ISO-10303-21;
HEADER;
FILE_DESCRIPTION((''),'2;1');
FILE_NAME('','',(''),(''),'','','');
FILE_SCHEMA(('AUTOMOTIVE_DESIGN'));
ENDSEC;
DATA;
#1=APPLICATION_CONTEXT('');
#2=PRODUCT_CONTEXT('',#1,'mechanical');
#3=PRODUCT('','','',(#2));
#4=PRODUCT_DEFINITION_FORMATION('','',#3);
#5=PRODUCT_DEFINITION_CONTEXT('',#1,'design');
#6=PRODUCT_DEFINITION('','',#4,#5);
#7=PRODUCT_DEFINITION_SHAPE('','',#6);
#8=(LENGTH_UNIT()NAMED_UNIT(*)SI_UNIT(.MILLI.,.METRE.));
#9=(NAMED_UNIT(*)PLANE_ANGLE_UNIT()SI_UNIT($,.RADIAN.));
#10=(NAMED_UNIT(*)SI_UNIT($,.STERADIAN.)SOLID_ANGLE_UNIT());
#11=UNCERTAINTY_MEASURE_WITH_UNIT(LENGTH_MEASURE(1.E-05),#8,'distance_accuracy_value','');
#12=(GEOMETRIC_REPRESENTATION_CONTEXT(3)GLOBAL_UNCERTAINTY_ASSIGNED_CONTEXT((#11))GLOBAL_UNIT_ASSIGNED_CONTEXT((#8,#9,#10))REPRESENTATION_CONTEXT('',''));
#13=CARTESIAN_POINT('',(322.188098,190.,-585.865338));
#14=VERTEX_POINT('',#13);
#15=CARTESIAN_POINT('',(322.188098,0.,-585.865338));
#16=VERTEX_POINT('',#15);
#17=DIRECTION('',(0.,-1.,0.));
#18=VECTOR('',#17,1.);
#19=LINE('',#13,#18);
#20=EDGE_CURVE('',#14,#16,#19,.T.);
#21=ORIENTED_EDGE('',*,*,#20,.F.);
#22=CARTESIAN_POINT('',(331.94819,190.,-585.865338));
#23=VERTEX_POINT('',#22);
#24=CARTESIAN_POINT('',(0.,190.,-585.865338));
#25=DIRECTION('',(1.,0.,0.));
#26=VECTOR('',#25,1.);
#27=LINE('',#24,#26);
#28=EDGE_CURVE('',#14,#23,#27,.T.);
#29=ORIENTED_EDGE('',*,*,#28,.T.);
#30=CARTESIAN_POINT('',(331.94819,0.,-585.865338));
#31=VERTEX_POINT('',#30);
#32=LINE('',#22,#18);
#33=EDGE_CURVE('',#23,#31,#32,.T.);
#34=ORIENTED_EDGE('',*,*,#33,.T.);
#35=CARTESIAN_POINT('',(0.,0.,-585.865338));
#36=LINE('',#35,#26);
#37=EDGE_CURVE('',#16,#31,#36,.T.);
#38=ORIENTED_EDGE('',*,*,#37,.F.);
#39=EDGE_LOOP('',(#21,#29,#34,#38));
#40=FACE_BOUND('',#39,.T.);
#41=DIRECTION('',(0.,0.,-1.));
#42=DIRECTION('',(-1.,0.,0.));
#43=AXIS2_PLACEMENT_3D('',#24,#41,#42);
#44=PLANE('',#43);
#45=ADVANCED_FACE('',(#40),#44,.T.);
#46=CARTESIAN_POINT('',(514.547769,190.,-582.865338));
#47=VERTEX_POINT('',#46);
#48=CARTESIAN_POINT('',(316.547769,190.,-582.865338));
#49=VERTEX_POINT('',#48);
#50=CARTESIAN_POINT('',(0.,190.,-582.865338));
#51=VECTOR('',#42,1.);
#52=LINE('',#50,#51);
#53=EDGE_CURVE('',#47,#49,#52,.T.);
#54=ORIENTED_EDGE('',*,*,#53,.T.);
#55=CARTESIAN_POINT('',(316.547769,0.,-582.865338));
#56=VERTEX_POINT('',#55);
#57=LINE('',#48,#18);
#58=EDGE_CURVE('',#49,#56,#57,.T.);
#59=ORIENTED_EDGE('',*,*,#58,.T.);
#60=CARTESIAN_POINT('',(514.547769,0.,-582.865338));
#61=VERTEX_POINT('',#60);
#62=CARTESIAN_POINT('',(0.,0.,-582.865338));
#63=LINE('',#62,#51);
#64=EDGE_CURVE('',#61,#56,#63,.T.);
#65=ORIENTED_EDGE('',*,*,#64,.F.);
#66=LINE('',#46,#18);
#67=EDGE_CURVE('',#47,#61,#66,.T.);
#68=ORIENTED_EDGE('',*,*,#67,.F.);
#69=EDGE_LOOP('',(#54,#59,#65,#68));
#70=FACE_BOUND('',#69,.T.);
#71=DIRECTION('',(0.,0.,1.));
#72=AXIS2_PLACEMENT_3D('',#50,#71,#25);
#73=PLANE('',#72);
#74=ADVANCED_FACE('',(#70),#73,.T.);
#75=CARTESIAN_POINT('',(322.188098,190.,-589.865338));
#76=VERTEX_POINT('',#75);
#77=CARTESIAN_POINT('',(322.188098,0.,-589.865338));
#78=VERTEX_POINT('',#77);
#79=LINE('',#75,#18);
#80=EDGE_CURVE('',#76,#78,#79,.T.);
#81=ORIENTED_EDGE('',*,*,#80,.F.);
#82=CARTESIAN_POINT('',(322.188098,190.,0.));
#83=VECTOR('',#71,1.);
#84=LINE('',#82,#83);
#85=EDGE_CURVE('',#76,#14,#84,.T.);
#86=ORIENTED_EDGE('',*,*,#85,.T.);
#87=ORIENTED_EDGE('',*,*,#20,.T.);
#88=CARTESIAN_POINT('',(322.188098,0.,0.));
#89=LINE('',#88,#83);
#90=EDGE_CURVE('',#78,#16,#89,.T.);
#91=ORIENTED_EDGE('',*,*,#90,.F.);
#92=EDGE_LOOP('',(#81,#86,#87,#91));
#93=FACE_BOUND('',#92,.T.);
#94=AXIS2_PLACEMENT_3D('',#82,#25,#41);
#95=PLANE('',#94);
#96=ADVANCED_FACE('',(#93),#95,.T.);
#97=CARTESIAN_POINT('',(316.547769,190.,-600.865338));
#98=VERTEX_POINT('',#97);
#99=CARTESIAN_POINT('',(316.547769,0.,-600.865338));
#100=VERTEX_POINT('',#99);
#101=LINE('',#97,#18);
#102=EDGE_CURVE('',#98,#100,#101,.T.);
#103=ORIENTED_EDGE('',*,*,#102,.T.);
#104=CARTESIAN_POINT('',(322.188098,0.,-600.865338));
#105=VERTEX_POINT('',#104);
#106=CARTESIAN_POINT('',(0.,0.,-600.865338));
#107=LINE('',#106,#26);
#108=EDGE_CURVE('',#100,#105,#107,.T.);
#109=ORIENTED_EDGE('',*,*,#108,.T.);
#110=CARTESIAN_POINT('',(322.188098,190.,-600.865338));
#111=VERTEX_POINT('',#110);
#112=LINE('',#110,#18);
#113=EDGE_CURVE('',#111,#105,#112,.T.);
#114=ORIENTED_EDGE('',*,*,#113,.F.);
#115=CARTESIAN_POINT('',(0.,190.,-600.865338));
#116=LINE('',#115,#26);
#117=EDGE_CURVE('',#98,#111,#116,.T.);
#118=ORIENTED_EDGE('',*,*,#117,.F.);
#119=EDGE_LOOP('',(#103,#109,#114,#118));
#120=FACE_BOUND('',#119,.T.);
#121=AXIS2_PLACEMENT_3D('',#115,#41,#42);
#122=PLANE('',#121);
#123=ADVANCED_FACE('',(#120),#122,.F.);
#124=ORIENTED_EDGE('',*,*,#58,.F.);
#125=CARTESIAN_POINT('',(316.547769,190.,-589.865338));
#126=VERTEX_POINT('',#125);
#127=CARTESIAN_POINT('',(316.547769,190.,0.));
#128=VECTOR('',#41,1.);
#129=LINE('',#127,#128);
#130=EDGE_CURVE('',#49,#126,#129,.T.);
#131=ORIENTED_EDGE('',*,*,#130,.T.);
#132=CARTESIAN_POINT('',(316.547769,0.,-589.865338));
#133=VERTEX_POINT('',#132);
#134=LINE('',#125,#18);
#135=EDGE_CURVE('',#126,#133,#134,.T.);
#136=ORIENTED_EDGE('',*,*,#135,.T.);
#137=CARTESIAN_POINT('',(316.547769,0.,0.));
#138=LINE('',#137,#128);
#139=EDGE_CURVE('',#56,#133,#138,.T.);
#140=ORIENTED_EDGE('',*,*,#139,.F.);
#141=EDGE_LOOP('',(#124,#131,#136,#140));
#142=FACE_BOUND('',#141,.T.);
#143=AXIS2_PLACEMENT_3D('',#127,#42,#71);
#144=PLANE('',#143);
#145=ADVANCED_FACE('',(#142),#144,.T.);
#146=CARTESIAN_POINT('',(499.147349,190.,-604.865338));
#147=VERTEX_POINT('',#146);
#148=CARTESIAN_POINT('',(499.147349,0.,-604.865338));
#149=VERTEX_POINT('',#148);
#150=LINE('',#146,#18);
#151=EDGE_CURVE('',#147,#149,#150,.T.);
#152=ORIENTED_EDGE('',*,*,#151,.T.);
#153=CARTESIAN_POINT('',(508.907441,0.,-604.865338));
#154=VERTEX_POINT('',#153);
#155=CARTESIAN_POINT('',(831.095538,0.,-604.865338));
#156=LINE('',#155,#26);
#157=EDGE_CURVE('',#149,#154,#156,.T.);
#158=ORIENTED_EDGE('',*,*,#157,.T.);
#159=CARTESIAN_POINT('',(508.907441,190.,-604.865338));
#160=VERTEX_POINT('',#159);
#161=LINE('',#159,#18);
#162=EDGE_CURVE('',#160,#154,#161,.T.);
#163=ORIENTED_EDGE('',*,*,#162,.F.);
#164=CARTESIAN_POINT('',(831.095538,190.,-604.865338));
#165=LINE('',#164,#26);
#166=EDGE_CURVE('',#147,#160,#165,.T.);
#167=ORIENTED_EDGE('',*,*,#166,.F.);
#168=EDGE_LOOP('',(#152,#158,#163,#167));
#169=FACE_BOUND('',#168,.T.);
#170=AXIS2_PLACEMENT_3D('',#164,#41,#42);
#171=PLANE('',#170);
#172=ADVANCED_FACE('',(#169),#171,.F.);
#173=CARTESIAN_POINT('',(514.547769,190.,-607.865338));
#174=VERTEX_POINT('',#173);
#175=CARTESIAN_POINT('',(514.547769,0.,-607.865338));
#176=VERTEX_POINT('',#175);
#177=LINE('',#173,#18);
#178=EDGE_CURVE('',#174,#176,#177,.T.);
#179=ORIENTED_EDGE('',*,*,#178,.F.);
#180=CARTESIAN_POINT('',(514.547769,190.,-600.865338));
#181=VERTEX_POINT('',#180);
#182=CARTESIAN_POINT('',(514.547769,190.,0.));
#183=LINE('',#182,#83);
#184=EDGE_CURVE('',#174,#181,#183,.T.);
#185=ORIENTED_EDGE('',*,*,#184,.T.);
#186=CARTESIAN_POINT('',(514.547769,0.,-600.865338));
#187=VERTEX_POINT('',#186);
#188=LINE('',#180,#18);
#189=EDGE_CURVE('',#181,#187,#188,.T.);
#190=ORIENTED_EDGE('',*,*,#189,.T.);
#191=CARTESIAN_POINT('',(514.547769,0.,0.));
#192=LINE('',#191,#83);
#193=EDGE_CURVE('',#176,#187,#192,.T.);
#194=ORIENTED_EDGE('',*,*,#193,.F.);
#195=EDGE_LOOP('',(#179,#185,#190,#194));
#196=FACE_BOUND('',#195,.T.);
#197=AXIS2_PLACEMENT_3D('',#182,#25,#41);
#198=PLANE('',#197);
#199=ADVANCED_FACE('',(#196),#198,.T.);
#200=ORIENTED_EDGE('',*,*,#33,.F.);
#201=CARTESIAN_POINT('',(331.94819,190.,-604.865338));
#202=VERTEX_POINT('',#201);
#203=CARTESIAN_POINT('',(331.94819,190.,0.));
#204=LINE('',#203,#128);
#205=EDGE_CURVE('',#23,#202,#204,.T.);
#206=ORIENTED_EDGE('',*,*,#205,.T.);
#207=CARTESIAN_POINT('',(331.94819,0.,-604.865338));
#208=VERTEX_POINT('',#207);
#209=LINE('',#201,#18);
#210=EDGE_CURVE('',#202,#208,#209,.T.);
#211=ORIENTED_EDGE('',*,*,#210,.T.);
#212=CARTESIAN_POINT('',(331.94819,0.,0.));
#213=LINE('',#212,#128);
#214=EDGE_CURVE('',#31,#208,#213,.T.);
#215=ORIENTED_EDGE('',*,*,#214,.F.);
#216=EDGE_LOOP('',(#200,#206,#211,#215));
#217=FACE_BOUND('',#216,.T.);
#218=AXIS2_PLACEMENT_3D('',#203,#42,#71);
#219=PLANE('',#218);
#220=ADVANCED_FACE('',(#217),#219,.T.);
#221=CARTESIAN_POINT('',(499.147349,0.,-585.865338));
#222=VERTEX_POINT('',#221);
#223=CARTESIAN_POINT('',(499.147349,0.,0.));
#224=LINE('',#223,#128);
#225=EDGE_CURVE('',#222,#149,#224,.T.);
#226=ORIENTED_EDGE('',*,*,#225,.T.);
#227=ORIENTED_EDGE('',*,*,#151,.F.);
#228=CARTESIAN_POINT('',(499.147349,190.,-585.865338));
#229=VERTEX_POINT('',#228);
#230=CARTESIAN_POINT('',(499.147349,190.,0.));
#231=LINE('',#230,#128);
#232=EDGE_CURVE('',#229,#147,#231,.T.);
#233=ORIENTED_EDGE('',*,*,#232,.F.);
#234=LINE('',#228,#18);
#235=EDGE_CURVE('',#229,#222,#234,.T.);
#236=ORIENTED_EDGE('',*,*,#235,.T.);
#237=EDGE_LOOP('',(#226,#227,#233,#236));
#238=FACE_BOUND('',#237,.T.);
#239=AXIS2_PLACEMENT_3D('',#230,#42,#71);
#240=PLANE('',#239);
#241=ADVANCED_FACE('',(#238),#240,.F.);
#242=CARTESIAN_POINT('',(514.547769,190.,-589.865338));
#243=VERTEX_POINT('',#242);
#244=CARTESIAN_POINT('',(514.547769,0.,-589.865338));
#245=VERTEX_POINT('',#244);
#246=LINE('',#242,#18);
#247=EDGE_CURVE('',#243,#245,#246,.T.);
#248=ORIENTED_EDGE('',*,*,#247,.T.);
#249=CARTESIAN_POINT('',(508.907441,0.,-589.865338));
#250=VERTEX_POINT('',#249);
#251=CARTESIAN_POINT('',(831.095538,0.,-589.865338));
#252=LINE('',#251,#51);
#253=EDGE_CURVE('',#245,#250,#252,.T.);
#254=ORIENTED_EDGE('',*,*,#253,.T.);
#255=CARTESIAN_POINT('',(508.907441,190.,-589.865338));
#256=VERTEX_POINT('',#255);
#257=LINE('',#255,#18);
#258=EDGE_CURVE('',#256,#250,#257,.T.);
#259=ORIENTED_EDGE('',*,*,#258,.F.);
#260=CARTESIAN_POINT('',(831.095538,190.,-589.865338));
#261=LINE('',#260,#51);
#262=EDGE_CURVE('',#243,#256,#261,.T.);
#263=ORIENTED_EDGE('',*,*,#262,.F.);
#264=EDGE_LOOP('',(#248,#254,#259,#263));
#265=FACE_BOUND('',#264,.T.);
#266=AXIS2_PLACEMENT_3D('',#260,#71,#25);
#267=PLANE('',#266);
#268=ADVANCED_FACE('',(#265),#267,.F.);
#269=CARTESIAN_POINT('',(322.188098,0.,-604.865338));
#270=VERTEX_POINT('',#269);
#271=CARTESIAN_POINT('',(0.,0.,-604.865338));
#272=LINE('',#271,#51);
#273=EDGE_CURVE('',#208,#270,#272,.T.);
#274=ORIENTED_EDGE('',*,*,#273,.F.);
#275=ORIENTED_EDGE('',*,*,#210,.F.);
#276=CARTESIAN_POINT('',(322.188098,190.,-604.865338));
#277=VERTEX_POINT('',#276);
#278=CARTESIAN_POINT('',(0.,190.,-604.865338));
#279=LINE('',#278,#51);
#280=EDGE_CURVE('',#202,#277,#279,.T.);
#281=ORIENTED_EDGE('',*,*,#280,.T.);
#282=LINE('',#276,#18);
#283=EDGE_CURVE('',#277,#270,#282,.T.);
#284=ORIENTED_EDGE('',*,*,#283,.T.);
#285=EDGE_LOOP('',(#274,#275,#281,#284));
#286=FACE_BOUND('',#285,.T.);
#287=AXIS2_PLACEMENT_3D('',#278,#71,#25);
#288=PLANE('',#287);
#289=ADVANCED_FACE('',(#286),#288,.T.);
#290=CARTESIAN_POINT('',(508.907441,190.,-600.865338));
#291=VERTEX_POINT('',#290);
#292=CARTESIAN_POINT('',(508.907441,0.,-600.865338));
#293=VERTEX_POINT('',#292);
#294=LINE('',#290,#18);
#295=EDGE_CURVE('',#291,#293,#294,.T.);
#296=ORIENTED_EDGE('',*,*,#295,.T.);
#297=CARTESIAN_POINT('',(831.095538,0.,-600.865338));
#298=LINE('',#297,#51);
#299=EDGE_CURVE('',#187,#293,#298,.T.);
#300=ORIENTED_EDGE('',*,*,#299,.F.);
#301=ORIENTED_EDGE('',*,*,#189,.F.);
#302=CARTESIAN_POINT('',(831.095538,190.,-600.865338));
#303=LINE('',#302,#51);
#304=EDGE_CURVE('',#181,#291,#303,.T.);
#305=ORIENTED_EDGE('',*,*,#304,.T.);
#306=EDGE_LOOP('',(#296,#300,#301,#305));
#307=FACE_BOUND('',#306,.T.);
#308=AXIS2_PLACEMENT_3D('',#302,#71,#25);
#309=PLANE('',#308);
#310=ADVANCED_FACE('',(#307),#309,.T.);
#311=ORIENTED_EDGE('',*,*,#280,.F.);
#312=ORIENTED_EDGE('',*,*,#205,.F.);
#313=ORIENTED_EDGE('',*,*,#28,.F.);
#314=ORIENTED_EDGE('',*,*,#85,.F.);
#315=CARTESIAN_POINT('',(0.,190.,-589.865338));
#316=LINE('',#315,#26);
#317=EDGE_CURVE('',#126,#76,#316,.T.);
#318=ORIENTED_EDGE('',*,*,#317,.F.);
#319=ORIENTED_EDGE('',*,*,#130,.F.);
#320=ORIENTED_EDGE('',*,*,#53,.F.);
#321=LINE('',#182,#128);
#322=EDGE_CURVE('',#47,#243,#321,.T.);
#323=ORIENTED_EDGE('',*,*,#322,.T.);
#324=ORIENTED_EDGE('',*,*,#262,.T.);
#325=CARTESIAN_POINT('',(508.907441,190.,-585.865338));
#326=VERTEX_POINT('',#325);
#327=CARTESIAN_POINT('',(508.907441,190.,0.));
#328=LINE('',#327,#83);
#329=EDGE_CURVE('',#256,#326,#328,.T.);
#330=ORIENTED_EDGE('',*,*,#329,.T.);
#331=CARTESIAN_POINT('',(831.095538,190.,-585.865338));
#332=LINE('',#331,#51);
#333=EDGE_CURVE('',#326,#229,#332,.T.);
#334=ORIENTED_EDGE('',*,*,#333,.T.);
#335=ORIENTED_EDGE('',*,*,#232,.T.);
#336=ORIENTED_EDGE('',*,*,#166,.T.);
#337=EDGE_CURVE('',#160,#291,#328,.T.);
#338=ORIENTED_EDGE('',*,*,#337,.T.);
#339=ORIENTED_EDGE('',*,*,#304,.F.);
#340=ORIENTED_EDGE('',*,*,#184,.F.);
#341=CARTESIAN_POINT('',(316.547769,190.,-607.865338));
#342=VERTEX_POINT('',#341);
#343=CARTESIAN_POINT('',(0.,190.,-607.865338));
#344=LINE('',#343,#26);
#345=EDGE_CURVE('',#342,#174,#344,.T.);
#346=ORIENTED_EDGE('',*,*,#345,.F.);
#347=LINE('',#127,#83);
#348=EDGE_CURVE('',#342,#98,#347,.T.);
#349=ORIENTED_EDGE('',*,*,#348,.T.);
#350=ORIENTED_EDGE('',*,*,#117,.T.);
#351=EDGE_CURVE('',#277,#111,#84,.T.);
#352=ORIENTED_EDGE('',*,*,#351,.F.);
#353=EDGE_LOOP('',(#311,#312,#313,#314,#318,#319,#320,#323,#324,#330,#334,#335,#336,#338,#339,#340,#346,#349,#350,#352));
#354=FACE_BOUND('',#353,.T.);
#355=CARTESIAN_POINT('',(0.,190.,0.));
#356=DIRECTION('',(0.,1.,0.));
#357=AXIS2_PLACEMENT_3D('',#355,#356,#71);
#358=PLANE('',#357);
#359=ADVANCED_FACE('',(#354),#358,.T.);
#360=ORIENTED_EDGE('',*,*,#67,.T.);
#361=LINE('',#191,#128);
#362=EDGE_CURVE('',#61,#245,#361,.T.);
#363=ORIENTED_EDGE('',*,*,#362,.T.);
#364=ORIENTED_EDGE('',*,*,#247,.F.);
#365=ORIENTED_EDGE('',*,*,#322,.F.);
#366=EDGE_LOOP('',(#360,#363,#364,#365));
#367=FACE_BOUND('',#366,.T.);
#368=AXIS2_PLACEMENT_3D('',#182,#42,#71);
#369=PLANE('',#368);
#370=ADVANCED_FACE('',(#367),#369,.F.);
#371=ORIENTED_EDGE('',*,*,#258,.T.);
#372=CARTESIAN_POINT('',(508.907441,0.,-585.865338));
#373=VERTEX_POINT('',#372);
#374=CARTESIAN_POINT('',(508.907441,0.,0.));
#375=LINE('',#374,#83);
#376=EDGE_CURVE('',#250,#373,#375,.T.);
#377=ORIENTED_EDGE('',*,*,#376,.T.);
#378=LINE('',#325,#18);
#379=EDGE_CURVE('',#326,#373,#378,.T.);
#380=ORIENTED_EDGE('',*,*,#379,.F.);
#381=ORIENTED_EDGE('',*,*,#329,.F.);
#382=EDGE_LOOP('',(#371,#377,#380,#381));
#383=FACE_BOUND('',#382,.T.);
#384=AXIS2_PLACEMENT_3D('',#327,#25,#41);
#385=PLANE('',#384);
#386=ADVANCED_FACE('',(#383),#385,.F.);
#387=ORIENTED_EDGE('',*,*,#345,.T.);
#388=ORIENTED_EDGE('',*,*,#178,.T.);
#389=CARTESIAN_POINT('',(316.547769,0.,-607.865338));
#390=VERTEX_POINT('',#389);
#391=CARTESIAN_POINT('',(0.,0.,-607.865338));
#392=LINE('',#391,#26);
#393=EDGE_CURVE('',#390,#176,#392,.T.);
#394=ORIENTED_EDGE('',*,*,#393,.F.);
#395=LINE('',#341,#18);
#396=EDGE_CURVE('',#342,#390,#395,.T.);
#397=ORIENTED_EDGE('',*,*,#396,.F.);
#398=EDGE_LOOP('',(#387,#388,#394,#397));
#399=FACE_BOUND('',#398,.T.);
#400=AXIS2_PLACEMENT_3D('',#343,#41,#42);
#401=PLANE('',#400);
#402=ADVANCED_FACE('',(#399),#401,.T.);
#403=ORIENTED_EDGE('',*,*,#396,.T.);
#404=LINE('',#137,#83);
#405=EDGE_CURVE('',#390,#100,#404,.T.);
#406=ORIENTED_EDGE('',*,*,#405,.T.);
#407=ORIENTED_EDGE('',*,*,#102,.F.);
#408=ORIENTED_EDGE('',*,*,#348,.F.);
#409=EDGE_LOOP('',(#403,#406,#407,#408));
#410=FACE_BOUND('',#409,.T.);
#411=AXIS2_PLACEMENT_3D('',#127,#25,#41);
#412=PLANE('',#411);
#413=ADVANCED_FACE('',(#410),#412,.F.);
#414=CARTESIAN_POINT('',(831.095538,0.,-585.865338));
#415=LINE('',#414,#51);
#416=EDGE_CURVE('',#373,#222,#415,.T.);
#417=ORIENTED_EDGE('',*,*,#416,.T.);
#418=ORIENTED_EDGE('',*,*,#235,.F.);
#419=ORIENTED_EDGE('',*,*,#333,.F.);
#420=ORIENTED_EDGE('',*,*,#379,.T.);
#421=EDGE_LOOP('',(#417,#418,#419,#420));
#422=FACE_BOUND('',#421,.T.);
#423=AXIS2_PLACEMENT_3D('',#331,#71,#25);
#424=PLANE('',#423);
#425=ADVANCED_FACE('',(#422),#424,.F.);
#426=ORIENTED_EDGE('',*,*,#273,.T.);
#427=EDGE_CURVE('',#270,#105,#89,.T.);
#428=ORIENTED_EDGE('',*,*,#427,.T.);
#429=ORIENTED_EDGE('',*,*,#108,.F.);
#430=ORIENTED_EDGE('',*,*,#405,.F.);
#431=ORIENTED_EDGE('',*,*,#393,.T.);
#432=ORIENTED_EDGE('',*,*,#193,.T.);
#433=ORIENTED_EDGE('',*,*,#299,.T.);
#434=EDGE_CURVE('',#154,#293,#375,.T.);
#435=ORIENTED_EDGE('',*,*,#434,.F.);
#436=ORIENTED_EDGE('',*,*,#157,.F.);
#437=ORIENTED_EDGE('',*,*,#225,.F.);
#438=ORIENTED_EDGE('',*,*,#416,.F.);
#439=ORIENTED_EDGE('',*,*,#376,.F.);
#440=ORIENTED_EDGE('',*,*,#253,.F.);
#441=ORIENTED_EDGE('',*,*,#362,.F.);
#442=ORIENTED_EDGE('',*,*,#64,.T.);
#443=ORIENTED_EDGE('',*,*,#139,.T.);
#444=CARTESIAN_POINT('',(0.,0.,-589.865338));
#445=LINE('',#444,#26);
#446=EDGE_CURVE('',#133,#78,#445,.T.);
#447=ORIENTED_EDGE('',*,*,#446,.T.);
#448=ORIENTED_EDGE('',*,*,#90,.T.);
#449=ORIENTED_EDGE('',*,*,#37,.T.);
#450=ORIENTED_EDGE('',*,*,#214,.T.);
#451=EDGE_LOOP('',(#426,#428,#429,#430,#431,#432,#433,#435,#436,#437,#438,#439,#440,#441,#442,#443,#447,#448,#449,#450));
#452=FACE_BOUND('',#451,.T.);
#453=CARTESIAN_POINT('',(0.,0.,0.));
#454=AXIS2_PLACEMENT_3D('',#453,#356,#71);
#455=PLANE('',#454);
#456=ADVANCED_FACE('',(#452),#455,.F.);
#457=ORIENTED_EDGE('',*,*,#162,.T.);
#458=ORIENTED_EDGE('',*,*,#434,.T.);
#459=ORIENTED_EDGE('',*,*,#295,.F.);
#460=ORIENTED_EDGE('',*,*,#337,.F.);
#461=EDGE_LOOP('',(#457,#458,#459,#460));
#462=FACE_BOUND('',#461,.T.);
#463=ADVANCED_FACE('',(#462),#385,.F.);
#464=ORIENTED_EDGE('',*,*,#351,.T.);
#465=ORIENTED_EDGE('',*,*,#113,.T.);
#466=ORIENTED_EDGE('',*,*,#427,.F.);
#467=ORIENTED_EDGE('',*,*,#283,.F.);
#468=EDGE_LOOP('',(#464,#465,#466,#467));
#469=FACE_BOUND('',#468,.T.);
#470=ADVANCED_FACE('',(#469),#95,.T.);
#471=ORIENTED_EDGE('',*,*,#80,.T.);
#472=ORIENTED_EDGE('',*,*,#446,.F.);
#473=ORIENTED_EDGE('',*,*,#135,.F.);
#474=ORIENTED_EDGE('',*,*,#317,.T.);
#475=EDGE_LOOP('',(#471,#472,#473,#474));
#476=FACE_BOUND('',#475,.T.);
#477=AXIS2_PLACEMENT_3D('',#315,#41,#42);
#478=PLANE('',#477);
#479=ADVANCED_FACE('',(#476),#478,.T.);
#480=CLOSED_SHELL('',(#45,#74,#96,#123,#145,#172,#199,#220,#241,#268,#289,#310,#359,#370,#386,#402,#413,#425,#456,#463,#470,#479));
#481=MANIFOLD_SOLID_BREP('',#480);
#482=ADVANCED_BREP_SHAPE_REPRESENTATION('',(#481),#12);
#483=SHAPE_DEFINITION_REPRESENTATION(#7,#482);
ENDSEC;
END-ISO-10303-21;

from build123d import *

# Parameters (mm, degrees)
ESTRUSIONE_ESTRUSIONE1_DEPTH = 190


with BuildPart() as part:
    # Schizzo2 → Estrusione-Estrusione1 (new body)
    with BuildSketch(Plane(origin=(0, 0, 0), x_dir=(1, 0, 0), z_dir=(0, 1, 0))):
        Polygon((415.547769121, 607.865337729), (331.895708168, 607.865337729), (322.188097577, 607.865337729), (316.547769121, 607.865337729), (316.547769121, 600.865337729), (322.188097577, 600.865337729), (322.188097577, 604.865337729), (331.948189583, 604.865337729), (331.948189583, 585.865337729), (322.188097577, 585.865337729), (322.188097577, 589.865337729), (316.547769121, 589.865337729), (316.547769121, 582.865337729), (415.547769121, 582.865337729), align=None)
    estrusione_estrusione1 = extrude(amount=ESTRUSIONE_ESTRUSIONE1_DEPTH)

    # Specchia1: Estrusione-Estrusione1 across plane
    add(estrusione_estrusione1.mirror(Plane(origin=(415.547769121, 190, 0), x_dir=(0, 0, 1), z_dir=(1, 0, 0))))


solid = part.part
